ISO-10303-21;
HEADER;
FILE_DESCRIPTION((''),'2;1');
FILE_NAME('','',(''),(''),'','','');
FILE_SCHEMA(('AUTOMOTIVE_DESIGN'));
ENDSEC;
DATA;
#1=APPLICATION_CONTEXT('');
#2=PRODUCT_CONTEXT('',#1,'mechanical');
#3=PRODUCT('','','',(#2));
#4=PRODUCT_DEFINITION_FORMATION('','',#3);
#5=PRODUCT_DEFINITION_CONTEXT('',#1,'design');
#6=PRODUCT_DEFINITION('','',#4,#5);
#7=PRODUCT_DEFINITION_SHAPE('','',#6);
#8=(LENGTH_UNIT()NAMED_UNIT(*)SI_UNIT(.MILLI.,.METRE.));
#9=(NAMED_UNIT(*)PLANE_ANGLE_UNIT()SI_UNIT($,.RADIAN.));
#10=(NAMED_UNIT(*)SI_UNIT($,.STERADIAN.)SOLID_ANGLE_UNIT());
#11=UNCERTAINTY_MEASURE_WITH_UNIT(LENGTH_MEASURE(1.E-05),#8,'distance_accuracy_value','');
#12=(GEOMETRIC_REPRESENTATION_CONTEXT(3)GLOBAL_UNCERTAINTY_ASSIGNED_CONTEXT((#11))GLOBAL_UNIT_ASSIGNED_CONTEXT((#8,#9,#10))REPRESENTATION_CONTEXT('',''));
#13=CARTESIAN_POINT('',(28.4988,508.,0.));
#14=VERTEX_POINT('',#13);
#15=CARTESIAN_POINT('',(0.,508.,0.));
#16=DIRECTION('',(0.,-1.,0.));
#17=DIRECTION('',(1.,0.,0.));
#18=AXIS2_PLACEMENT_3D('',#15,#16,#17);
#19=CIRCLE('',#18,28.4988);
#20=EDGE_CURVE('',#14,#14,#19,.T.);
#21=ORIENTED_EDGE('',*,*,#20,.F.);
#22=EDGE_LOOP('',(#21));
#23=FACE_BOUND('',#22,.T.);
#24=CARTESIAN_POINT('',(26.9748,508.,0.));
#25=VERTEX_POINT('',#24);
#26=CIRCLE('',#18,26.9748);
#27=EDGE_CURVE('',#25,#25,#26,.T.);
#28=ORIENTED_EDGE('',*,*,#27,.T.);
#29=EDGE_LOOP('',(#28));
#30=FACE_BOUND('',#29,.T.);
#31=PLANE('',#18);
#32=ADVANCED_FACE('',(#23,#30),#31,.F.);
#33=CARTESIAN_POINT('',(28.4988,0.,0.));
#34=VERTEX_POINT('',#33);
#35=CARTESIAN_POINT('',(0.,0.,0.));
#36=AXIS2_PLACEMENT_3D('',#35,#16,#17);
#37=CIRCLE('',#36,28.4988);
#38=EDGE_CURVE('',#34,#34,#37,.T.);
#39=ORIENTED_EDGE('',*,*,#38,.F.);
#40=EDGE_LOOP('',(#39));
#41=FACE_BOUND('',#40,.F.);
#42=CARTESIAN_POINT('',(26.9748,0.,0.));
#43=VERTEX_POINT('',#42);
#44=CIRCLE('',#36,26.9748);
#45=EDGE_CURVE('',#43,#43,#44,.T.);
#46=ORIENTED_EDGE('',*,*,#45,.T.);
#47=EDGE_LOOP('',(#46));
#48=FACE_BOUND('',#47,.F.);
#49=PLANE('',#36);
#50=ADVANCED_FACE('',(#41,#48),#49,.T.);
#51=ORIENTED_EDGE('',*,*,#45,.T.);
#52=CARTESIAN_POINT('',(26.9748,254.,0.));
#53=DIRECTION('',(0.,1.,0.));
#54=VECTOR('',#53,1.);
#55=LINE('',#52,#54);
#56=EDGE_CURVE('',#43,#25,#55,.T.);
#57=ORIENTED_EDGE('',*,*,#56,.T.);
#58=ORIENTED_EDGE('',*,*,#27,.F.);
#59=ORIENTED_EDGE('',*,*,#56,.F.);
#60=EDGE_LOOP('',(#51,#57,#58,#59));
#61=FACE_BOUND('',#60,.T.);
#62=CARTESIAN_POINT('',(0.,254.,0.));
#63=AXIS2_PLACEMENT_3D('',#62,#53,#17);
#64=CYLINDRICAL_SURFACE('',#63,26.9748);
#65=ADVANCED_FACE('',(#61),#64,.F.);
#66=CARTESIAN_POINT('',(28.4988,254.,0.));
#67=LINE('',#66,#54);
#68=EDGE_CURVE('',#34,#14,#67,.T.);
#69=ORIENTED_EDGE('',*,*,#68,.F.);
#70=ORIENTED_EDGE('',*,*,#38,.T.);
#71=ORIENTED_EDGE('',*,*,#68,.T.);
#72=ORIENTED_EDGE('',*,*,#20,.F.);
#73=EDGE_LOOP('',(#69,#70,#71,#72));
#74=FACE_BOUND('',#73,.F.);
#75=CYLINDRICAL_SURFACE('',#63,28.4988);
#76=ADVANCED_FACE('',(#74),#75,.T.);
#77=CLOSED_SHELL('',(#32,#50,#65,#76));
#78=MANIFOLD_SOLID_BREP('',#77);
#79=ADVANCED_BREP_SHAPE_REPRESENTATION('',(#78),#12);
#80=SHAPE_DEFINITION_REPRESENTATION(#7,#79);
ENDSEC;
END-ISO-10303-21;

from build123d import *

# Parameters (mm, degrees)
SKETCH1_W = 1.524
SKETCH1_H = 508


with BuildPart() as part:
    # Sketch1 → Revolve1 (revolve)
    with BuildSketch(Plane.XY):
        with Locations((27.7368, 254)):
            Rectangle(SKETCH1_W, SKETCH1_H)
    revolve(axis=Axis((0, 797.913336974, 0), (0, -1, 0)))


solid = part.part
